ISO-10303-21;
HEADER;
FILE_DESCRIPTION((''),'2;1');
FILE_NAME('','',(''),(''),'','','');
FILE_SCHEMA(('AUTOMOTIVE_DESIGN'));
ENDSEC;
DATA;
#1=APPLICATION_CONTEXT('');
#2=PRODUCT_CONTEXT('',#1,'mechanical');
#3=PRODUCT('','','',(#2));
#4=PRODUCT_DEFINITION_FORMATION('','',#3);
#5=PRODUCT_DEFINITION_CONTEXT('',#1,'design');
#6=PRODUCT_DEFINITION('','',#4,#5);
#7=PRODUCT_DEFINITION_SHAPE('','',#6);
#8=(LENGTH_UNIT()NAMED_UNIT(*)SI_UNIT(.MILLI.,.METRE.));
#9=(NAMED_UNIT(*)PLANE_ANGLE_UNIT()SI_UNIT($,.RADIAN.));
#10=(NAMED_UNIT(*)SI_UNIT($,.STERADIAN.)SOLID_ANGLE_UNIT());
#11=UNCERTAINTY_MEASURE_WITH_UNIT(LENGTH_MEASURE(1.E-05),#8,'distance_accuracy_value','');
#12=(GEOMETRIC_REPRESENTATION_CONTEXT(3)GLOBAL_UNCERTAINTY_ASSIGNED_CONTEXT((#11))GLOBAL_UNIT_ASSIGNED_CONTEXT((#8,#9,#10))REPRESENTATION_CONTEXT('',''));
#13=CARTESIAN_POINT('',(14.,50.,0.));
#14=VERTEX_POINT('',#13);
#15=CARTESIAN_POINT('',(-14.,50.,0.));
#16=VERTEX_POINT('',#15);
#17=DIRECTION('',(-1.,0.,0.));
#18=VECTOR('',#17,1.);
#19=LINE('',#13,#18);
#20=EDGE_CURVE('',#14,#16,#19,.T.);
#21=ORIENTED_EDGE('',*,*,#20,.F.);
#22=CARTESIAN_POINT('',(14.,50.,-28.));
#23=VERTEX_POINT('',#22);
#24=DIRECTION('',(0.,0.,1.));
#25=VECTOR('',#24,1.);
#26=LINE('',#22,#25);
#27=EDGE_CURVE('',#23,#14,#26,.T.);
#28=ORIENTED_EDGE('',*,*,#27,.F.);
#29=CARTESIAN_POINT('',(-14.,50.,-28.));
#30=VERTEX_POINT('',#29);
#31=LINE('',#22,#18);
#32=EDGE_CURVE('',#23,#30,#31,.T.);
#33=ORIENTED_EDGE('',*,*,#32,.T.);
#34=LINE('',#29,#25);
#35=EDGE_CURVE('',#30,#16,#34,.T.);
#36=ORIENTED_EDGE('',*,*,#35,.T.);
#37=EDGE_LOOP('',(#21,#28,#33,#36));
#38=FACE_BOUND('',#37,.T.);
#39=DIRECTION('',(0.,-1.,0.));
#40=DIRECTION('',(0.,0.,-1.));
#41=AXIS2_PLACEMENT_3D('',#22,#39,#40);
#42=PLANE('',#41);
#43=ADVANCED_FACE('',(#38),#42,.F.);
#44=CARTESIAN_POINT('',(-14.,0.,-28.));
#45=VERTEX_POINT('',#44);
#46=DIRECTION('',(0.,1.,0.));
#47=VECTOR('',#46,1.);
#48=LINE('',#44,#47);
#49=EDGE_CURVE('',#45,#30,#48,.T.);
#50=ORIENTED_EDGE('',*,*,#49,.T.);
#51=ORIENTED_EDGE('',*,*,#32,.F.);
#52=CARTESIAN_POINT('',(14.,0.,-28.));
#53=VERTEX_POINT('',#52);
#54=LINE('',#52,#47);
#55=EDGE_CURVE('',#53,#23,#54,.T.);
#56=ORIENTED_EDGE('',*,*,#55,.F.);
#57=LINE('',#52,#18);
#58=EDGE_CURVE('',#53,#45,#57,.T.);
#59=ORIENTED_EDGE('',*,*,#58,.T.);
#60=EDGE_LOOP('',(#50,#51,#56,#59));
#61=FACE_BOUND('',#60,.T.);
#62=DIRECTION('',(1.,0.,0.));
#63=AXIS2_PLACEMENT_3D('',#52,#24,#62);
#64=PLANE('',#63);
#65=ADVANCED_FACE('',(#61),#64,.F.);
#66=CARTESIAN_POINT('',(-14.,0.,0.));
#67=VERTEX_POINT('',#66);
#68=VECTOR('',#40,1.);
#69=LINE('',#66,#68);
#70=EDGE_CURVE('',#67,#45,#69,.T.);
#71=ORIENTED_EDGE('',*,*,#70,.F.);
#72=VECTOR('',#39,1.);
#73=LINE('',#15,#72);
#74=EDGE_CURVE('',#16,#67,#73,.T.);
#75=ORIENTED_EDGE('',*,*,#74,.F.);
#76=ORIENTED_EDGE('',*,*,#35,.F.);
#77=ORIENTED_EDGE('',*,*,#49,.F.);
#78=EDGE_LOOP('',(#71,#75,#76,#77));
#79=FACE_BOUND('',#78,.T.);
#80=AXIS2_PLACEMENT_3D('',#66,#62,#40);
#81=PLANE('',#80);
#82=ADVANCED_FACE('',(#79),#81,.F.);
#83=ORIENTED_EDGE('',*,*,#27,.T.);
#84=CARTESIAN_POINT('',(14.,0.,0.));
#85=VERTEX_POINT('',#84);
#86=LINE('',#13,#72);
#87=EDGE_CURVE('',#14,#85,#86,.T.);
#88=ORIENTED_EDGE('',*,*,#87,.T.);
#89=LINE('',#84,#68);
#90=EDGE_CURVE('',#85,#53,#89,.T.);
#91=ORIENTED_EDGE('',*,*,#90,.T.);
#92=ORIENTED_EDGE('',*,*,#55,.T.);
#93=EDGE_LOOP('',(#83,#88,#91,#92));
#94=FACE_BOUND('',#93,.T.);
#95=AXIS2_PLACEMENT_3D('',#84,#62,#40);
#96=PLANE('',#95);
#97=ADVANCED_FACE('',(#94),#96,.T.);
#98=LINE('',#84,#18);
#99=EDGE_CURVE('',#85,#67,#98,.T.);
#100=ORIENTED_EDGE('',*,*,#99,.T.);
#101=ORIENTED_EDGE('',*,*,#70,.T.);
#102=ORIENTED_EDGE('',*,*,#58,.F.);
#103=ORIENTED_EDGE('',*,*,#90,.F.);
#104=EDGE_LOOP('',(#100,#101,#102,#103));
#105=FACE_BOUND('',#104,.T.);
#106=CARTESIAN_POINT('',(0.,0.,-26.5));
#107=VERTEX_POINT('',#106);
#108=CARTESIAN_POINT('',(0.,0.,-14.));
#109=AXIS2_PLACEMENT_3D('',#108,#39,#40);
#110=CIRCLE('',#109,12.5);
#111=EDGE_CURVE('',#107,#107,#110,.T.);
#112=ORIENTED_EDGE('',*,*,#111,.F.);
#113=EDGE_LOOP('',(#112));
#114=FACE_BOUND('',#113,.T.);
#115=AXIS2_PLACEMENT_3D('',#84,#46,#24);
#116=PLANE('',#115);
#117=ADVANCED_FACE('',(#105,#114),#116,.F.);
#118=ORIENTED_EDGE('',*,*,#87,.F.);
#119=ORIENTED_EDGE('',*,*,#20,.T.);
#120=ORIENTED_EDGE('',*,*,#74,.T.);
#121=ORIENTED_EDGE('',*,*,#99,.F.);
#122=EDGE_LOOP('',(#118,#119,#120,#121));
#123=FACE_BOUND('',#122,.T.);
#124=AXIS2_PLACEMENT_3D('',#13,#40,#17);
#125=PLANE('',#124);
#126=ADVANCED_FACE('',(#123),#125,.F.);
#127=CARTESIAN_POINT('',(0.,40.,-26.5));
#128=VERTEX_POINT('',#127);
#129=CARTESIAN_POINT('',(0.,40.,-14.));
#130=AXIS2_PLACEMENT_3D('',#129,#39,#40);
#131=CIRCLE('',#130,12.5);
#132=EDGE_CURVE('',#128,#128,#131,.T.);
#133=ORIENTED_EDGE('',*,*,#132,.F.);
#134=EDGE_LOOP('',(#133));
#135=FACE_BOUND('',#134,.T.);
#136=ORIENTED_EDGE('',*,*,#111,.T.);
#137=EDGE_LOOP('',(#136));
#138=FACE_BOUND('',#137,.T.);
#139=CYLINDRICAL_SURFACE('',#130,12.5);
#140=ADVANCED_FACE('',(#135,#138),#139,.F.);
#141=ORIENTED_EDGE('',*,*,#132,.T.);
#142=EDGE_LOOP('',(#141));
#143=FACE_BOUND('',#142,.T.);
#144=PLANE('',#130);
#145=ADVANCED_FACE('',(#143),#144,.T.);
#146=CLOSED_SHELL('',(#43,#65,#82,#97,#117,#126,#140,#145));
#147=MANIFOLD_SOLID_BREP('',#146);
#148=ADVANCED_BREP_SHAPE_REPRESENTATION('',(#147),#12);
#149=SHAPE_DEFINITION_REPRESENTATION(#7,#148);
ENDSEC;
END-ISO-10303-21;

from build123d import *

# Parameters (mm, degrees)
SKETCH3_W           = 28
SKETCH3_H           = 50
BOSS_EXTRUDE1_DEPTH = 14
SKETCH6_R           = 12.5
CUT_EXTRUDE1_DEPTH  = 40


with BuildPart() as part:
    # Sketch3 → Boss-Extrude1 (new body, symmetric)
    with BuildSketch(Plane(origin=(0, 0, 0), x_dir=(0, 0, -1), z_dir=(1, 0, 0))):
        with Locations((14, 25)):
            Rectangle(SKETCH3_W, SKETCH3_H)
    extrude(amount=BOSS_EXTRUDE1_DEPTH, both=True)

    # Sketch6 → Cut-Extrude1 (cut)
    with BuildSketch(Plane(origin=(0, 0, 0), x_dir=(-1, 0, 0), z_dir=(0, -1, 0))):
        with Locations((0, 14)):
            Circle(SKETCH6_R)
    extrude(amount=-CUT_EXTRUDE1_DEPTH, mode=Mode.SUBTRACT)


solid = part.part
